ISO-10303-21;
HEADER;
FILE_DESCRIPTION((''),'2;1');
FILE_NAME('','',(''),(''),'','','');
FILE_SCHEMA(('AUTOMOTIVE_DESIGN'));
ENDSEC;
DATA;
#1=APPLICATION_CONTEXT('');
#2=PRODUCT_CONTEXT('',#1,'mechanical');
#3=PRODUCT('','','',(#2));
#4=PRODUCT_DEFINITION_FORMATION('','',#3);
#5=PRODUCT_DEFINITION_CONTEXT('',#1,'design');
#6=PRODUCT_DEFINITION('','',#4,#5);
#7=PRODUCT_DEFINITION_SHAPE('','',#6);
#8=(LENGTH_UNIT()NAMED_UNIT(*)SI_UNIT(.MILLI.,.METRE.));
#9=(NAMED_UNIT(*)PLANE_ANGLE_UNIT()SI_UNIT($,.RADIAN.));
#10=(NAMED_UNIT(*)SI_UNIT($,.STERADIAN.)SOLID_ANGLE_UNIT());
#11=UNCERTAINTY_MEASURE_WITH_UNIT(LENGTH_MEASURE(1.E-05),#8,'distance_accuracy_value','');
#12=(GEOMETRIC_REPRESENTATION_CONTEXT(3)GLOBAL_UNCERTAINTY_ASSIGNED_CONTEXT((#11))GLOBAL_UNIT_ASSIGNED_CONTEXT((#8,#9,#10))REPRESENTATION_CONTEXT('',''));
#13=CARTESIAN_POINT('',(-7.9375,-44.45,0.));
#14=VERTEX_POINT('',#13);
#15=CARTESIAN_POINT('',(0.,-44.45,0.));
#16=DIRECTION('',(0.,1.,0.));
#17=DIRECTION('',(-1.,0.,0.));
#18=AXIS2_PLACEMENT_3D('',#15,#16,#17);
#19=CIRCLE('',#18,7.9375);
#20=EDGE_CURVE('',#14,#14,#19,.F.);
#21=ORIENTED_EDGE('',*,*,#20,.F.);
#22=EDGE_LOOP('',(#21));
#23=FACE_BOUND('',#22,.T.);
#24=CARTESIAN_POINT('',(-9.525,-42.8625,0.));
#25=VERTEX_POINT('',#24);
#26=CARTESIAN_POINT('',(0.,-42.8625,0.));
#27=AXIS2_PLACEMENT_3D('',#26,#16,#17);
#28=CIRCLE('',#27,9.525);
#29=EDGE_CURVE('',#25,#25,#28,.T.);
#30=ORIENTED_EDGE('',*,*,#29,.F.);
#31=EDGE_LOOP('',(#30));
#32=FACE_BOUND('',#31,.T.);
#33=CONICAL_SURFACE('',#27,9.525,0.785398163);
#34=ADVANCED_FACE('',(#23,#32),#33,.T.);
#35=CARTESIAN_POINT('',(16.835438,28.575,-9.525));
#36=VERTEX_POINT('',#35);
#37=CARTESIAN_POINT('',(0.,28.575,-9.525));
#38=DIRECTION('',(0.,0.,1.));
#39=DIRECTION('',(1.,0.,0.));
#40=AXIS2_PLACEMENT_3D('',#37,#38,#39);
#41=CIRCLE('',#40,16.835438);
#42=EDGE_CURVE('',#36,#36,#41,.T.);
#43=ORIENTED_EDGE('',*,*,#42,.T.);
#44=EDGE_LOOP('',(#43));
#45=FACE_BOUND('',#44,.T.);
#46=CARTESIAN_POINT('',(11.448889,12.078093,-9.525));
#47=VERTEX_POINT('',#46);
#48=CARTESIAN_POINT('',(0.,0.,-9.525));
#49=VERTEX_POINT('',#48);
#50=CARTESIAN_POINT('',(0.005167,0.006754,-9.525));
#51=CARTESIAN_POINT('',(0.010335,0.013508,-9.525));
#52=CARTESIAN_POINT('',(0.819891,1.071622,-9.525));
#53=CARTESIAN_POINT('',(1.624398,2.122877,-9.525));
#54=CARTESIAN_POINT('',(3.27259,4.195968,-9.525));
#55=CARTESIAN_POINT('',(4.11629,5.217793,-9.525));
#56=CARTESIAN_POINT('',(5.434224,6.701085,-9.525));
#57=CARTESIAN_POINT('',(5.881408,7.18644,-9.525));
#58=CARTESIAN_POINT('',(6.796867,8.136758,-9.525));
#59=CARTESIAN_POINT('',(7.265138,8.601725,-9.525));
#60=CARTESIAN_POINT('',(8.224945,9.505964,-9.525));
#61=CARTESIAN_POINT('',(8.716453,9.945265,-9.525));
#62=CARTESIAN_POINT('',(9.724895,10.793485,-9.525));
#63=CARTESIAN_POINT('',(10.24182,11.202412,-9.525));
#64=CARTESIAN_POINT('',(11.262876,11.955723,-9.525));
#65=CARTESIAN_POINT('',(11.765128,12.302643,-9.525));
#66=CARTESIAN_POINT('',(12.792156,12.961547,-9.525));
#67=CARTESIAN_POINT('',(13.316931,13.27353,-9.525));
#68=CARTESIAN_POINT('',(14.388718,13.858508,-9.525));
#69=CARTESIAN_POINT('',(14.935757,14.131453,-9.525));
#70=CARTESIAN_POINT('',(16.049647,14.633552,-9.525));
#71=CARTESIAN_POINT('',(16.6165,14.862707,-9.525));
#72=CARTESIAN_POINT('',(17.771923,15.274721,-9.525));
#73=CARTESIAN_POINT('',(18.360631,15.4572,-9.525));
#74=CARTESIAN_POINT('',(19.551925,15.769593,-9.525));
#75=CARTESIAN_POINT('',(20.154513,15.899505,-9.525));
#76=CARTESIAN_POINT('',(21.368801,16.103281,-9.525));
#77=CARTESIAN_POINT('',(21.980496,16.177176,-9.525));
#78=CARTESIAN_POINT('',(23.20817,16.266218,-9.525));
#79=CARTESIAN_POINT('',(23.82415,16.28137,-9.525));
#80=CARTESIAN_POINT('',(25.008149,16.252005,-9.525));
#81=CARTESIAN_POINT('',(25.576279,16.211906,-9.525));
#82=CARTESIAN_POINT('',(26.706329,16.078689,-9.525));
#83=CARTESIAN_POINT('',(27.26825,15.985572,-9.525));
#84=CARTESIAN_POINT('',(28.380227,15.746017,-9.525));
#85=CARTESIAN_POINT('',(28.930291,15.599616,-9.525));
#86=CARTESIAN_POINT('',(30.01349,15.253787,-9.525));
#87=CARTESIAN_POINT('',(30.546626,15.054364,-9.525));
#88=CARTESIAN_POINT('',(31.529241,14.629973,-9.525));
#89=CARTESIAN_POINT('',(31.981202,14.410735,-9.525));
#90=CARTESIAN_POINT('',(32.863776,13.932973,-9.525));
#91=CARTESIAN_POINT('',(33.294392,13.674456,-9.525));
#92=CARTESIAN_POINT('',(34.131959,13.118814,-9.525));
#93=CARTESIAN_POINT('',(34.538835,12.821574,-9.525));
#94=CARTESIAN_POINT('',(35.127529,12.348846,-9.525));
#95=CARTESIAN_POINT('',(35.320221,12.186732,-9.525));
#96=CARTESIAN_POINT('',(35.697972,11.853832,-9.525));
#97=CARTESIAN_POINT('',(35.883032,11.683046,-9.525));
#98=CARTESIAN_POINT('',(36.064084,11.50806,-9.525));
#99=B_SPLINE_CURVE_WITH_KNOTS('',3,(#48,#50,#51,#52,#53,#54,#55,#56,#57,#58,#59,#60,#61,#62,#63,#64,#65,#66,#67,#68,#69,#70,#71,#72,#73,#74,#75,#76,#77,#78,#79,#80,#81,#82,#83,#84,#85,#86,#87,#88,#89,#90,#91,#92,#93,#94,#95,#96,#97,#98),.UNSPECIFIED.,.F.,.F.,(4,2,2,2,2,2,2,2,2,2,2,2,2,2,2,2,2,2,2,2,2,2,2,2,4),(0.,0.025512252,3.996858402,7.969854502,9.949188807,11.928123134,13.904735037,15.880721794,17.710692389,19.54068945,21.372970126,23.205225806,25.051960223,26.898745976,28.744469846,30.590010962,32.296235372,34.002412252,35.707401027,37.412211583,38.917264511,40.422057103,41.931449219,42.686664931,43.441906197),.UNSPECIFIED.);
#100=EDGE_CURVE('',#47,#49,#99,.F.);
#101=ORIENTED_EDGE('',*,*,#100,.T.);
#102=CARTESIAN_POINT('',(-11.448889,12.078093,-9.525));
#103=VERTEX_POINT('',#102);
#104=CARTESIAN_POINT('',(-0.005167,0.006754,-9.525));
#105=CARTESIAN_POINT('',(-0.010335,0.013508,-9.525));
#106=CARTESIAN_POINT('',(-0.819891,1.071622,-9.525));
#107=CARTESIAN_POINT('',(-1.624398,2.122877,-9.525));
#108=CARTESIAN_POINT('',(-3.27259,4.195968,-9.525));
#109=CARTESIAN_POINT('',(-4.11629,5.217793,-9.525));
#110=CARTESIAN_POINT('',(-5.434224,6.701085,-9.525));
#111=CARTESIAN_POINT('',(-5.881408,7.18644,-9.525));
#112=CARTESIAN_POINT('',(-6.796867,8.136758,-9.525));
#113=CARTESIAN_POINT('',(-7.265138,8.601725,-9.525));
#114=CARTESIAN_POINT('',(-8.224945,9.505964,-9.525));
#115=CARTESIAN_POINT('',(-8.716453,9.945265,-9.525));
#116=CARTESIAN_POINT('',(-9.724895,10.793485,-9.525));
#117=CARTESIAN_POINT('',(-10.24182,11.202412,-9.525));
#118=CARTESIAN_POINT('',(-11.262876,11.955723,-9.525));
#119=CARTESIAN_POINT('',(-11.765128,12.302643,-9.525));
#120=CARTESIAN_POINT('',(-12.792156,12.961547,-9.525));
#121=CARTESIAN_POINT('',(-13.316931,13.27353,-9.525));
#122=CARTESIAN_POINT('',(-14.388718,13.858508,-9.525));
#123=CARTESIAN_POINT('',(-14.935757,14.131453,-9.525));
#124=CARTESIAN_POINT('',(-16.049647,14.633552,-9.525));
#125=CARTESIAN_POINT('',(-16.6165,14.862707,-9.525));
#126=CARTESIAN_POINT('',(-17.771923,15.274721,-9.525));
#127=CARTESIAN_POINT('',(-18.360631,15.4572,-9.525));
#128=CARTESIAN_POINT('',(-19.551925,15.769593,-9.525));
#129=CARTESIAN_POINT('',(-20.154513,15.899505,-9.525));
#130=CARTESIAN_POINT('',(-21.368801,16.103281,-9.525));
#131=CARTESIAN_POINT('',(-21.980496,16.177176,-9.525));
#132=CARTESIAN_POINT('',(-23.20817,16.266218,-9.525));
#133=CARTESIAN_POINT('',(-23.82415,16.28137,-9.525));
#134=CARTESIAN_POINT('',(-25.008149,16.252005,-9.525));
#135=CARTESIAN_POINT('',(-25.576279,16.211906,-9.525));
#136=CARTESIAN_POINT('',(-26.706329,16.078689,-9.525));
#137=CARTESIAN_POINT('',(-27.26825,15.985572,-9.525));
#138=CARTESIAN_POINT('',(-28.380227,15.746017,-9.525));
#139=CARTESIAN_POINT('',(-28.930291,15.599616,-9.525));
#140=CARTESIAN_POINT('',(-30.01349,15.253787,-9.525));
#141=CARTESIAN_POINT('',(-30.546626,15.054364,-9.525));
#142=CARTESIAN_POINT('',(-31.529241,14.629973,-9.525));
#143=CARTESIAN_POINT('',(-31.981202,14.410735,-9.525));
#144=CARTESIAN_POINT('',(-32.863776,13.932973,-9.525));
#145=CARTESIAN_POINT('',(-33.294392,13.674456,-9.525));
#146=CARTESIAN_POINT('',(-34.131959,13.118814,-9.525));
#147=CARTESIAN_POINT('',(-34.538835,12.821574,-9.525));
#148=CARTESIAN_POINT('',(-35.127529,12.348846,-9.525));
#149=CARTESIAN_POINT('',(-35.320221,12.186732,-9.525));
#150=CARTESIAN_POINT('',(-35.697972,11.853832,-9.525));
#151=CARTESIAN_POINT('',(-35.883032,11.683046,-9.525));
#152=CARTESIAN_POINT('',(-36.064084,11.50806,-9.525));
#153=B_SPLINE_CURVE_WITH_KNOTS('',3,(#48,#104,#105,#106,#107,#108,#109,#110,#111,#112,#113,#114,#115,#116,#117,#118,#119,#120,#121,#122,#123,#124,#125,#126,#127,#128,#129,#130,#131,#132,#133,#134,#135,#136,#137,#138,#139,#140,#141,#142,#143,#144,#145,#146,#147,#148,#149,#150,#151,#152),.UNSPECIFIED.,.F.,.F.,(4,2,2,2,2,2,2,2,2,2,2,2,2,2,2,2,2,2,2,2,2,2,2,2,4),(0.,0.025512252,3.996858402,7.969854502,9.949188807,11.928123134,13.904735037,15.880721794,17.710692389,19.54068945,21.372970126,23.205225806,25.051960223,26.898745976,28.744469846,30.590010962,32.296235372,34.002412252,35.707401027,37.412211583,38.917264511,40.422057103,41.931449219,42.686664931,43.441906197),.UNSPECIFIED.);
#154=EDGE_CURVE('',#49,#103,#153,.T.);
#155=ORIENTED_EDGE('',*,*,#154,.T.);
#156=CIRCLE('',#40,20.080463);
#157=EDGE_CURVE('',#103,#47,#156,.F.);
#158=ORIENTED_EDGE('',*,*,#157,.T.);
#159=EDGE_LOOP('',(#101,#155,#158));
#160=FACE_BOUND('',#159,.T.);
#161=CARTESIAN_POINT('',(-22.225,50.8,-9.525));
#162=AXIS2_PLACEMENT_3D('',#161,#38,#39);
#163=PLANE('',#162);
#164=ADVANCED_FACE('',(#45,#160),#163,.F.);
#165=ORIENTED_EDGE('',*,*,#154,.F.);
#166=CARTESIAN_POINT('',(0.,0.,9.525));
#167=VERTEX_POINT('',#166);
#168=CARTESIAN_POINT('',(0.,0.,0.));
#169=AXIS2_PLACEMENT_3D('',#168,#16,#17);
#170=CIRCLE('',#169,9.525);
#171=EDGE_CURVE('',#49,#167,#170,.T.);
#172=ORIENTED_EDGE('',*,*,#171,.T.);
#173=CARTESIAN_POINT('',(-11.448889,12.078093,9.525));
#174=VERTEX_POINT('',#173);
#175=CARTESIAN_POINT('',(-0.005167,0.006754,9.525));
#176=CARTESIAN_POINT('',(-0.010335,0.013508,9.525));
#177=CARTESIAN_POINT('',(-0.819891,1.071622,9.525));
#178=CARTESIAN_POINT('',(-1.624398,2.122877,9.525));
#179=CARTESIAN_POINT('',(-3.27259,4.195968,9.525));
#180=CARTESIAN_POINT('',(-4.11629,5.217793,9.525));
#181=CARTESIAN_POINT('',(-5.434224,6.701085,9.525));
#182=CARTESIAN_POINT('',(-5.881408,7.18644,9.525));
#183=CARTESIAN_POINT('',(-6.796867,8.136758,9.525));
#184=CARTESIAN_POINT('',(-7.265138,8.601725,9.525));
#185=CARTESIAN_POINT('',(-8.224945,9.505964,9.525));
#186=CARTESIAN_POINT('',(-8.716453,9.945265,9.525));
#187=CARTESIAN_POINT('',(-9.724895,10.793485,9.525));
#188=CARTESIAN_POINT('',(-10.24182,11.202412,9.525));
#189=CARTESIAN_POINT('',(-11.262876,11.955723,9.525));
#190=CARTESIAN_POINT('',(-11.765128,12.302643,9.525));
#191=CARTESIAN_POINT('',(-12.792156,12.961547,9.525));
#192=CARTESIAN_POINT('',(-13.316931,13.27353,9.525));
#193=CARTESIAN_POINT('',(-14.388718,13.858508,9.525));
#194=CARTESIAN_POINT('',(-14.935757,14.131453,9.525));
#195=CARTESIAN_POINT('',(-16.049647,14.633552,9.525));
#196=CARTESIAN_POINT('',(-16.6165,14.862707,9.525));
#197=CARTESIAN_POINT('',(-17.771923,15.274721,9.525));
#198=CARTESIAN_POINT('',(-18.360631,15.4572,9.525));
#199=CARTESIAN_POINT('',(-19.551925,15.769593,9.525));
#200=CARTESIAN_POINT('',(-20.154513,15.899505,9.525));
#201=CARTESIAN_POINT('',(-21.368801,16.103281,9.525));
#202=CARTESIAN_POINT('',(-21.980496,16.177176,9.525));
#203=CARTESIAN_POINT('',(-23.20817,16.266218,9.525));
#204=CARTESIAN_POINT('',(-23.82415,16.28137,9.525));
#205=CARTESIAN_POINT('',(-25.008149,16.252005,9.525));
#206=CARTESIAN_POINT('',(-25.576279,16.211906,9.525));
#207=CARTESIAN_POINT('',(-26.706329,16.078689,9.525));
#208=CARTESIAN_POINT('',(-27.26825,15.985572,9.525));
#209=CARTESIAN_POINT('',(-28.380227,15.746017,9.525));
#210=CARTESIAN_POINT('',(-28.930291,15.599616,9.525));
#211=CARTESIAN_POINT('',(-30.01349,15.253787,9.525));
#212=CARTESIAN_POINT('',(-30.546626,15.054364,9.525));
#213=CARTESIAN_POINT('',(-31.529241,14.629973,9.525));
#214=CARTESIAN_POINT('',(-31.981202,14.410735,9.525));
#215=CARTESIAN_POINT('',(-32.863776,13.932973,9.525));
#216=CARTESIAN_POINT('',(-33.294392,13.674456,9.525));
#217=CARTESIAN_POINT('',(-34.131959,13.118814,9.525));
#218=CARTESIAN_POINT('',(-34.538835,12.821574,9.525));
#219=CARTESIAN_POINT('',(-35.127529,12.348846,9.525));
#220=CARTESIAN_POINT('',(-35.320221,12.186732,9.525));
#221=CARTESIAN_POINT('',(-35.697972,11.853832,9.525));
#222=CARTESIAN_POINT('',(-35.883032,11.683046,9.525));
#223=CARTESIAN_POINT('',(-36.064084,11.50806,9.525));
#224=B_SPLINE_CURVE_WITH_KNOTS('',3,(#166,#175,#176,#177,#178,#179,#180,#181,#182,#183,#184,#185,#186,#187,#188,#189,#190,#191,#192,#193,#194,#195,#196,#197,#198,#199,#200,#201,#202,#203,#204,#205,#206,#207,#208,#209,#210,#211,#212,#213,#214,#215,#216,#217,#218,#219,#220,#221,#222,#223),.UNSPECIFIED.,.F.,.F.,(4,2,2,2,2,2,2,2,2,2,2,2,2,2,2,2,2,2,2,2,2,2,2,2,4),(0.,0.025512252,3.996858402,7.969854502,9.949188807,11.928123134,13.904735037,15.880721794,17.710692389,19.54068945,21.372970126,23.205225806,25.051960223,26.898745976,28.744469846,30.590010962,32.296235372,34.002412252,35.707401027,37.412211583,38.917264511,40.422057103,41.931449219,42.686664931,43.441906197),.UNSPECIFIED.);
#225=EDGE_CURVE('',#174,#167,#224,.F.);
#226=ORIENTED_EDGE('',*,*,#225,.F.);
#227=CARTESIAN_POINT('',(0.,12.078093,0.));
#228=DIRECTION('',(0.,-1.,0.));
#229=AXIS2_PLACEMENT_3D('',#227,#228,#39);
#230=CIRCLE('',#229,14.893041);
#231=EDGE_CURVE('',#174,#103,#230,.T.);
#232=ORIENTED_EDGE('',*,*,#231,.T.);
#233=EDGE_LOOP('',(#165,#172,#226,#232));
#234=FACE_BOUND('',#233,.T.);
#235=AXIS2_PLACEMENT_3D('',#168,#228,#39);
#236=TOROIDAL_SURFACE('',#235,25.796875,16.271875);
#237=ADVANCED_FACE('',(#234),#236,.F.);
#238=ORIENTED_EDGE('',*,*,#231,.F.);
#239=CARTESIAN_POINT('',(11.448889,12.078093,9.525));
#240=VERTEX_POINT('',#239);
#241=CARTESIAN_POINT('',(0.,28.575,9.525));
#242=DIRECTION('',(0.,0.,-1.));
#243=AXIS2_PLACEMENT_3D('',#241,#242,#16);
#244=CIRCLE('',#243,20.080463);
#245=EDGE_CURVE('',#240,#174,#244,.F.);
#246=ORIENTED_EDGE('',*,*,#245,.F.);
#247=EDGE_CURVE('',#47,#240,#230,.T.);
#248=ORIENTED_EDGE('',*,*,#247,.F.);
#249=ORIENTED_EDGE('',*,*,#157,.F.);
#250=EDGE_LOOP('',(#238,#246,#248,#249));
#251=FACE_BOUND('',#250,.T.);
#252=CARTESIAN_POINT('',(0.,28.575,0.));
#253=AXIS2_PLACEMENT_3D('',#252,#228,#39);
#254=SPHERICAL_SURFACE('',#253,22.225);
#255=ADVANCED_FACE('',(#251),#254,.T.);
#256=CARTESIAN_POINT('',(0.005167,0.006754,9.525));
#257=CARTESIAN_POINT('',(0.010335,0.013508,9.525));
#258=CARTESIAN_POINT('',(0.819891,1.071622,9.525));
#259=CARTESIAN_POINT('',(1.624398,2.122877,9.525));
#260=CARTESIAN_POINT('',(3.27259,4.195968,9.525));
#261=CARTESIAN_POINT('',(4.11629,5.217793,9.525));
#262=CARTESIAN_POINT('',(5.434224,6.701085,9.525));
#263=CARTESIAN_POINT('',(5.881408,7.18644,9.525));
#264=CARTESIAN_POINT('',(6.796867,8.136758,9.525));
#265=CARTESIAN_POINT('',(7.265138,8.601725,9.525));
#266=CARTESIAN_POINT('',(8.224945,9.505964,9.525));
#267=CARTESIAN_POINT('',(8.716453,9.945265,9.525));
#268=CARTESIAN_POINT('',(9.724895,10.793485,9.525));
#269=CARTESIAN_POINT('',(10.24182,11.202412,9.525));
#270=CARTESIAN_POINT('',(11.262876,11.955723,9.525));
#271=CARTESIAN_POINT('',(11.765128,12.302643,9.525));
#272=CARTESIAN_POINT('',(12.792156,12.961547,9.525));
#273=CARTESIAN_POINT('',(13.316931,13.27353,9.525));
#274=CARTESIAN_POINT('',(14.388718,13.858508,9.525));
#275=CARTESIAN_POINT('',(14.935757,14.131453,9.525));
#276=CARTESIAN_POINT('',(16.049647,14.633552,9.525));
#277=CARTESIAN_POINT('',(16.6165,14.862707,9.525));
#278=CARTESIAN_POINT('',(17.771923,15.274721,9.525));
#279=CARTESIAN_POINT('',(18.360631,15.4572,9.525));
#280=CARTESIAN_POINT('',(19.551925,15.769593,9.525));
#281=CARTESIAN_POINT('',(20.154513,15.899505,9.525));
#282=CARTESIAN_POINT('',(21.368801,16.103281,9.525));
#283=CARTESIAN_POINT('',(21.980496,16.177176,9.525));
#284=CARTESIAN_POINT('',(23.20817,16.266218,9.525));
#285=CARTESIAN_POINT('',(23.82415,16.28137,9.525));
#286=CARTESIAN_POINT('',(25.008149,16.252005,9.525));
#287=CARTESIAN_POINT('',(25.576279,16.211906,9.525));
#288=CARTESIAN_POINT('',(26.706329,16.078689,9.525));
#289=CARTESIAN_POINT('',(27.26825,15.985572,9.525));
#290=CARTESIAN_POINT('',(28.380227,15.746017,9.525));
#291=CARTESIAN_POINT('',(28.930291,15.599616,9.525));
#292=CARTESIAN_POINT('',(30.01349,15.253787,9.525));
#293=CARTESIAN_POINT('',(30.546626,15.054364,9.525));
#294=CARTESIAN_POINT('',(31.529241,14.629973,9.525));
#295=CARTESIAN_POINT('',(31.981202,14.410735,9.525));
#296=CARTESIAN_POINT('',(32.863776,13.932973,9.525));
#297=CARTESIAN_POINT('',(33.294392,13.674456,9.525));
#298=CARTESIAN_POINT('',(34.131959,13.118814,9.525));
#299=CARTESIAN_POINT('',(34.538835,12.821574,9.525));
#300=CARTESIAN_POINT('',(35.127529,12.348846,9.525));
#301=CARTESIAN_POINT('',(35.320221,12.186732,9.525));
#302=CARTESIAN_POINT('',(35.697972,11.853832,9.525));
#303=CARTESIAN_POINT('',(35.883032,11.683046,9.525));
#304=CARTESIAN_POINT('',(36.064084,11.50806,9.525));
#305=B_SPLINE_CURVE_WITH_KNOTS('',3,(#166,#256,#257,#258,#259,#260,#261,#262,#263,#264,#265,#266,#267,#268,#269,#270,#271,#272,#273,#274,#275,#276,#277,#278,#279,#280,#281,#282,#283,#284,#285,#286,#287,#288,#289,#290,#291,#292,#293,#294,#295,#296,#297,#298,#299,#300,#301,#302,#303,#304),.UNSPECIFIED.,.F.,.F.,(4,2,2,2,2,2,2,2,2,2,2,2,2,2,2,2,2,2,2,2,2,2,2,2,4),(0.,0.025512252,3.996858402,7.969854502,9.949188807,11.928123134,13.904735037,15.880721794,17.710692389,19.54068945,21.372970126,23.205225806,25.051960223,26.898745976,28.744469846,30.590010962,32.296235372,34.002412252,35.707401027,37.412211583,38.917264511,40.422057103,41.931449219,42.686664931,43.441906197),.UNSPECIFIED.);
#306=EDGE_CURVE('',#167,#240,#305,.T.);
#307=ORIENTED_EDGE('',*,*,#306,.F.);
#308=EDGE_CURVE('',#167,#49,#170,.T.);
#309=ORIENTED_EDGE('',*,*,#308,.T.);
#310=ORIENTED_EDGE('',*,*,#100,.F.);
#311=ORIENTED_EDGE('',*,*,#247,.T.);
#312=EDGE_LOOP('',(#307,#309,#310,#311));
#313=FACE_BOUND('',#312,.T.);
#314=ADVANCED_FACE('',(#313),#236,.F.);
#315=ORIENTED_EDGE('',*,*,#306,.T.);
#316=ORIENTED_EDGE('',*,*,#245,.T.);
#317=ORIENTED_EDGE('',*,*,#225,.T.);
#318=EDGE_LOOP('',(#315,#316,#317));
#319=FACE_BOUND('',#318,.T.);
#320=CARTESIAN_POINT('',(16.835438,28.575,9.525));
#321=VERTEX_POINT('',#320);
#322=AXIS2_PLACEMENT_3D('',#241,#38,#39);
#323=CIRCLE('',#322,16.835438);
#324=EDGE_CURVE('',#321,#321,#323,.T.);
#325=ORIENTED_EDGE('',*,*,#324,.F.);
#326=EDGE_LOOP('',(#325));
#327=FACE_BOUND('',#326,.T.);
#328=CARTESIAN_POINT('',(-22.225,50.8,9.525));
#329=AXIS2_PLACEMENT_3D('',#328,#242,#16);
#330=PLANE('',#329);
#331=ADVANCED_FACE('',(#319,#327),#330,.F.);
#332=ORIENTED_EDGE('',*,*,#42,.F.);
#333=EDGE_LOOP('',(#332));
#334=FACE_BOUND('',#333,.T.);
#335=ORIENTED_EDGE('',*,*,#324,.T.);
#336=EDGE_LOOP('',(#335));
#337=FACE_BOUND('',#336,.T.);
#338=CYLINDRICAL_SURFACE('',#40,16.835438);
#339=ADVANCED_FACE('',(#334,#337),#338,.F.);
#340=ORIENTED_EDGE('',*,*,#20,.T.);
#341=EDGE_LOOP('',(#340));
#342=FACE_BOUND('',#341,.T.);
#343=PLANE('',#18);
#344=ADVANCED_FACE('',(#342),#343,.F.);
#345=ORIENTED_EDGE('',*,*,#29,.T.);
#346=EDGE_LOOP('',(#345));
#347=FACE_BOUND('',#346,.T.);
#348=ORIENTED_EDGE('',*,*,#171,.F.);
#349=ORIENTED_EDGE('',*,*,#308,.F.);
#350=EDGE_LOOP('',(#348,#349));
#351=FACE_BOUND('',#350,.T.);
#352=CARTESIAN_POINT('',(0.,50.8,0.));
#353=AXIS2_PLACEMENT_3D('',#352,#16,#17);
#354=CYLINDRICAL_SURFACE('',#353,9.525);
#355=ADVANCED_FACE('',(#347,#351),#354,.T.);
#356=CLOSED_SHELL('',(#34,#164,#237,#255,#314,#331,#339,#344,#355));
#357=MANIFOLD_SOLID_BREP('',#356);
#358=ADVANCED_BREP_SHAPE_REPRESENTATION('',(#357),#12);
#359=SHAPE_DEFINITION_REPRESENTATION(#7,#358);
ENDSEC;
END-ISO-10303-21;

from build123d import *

# Parameters (mm, degrees)
SKETCH1_W               = 9.525
SKETCH1_H               = 44.45
CHAMFER2_SIZE           = 1.5875
CUT_EXTRUDE1_DEPTH      = 60.737268518
CUT_EXTRUDE1_DEPTH_BACK = 60.737268518
SKETCH5_W               = 12.7
SKETCH5_H               = 50.8
CUT_EXTRUDE2_DEPTH      = 57.261143358
CUT_EXTRUDE2_DEPTH_BACK = 57.261143358
SKETCH6_R               = 16.8354375
CUT_EXTRUDE3_DEPTH      = 58.900240514
CUT_EXTRUDE3_DEPTH_BACK = 58.900240514
SKETCH8_W               = 11.1125
SKETCH8_H               = 50.8
CUT_EXTRUDE4_DEPTH      = 58.900240514
CUT_EXTRUDE4_DEPTH_BACK = 58.900240514
SKETCH10_R              = 9.525
CHAMFER1_SIZE           = 0.9525


with BuildPart() as part:
    # Sketch1 → Revolve1 (revolve)
    with BuildSketch(Plane.XY, mode=Mode.PRIVATE) as revolve1_sk:
        with Locations((4.7625, -22.225)):
            Rectangle(SKETCH1_W, SKETCH1_H)
    revolve(revolve1_sk.sketch.rotate(Axis((0, 50.8, 0), (0, -1, 0)), 180), axis=Axis((0, 50.8, 0), (0, -1, 0)))

    # Chamfer2
    chamfer2_edges = [part.edges().sort_by_distance(p)[0] for p in [
        (9.525, -44.45, 0),
    ]]
    chamfer(chamfer2_edges, length=CHAMFER2_SIZE)

    # Sketch4 → Revolve2 (revolve)
    with BuildSketch(Plane.XY):
        with BuildLine():
            Line((9.525, 0), (0, 0))
            Line((0, 0), (0, 50.8))
            ThreePointArc((0, 50.8), (20.743606098, 36.553310038), (14.893041237, 12.078092784))
            ThreePointArc((14.893041237, 12.078092784), (10.927447707, 6.608634352), (9.525, 0))
        make_face()
    revolve(axis=Axis((0, 50.8, 0), (0, 1, 0)))

    # Sketch5 → Cut-Extrude1 (cut, two sides: drawn at the far end of the back side and taken through both)
    with BuildSketch(Plane(origin=(0, 0, 0), x_dir=(0, 0, -1), z_dir=(1, 0, 0)).offset(-CUT_EXTRUDE1_DEPTH_BACK)):
        with Locations((15.875, 25.4)):
            Rectangle(SKETCH5_W, SKETCH5_H)
        with Locations((-15.875, 25.4)):
            Rectangle(SKETCH5_W, SKETCH5_H)
    extrude(amount=CUT_EXTRUDE1_DEPTH + CUT_EXTRUDE1_DEPTH_BACK, mode=Mode.SUBTRACT)

    # Sketch6 → Cut-Extrude2 (cut, two sides: drawn at the far end of the back side and taken through both)
    with BuildSketch(Plane.XY.offset(-CUT_EXTRUDE2_DEPTH_BACK)):
        with Locations((0, 28.575)):
            Circle(SKETCH6_R)
    extrude(amount=CUT_EXTRUDE2_DEPTH + CUT_EXTRUDE2_DEPTH_BACK, mode=Mode.SUBTRACT)


with BuildPart() as body_2:
    # Sketch7 → Revolve3 (revolve)
    with BuildSketch(Plane.XY):
        with BuildLine():
            Line((0, 45.24375), (0, 11.90625))
            ThreePointArc((0, 11.90625), (16.66875, 28.575), (0, 45.24375))
        make_face()
    revolve(axis=Axis((0, 0, 0), (0, 1, 0)))

    # Sketch8 → Cut-Extrude3 (cut, two sides: drawn at the far end of the back side and taken through both)
    with BuildSketch(Plane(origin=(0, 0, 0), x_dir=(0, 0, -1), z_dir=(1, 0, 0)).offset(-CUT_EXTRUDE3_DEPTH_BACK)):
        with Locations((-16.66875, 25.4)):
            Rectangle(SKETCH8_W, SKETCH8_H)
        with Locations((16.66875, 25.4)):
            Rectangle(SKETCH8_W, SKETCH8_H)
    extrude(amount=CUT_EXTRUDE3_DEPTH + CUT_EXTRUDE3_DEPTH_BACK, mode=Mode.SUBTRACT)

    # Sketch10 → Cut-Extrude4 (cut, two sides: drawn at the far end of the back side and taken through both)
    with BuildSketch(Plane.XY.offset(-CUT_EXTRUDE4_DEPTH_BACK)):
        with Locations((0, 28.575)):
            Circle(SKETCH10_R)
    extrude(amount=CUT_EXTRUDE4_DEPTH + CUT_EXTRUDE4_DEPTH_BACK, mode=Mode.SUBTRACT)

    # Chamfer1
    chamfer1_edges = [body_2.edges().sort_by_distance(p)[0] for p in [
        (-9.525, 28.575, -11.1125),
        (-9.525, 28.575, 11.1125),
    ]]
    chamfer(chamfer1_edges, length=CHAMFER1_SIZE)


solid = part.part
